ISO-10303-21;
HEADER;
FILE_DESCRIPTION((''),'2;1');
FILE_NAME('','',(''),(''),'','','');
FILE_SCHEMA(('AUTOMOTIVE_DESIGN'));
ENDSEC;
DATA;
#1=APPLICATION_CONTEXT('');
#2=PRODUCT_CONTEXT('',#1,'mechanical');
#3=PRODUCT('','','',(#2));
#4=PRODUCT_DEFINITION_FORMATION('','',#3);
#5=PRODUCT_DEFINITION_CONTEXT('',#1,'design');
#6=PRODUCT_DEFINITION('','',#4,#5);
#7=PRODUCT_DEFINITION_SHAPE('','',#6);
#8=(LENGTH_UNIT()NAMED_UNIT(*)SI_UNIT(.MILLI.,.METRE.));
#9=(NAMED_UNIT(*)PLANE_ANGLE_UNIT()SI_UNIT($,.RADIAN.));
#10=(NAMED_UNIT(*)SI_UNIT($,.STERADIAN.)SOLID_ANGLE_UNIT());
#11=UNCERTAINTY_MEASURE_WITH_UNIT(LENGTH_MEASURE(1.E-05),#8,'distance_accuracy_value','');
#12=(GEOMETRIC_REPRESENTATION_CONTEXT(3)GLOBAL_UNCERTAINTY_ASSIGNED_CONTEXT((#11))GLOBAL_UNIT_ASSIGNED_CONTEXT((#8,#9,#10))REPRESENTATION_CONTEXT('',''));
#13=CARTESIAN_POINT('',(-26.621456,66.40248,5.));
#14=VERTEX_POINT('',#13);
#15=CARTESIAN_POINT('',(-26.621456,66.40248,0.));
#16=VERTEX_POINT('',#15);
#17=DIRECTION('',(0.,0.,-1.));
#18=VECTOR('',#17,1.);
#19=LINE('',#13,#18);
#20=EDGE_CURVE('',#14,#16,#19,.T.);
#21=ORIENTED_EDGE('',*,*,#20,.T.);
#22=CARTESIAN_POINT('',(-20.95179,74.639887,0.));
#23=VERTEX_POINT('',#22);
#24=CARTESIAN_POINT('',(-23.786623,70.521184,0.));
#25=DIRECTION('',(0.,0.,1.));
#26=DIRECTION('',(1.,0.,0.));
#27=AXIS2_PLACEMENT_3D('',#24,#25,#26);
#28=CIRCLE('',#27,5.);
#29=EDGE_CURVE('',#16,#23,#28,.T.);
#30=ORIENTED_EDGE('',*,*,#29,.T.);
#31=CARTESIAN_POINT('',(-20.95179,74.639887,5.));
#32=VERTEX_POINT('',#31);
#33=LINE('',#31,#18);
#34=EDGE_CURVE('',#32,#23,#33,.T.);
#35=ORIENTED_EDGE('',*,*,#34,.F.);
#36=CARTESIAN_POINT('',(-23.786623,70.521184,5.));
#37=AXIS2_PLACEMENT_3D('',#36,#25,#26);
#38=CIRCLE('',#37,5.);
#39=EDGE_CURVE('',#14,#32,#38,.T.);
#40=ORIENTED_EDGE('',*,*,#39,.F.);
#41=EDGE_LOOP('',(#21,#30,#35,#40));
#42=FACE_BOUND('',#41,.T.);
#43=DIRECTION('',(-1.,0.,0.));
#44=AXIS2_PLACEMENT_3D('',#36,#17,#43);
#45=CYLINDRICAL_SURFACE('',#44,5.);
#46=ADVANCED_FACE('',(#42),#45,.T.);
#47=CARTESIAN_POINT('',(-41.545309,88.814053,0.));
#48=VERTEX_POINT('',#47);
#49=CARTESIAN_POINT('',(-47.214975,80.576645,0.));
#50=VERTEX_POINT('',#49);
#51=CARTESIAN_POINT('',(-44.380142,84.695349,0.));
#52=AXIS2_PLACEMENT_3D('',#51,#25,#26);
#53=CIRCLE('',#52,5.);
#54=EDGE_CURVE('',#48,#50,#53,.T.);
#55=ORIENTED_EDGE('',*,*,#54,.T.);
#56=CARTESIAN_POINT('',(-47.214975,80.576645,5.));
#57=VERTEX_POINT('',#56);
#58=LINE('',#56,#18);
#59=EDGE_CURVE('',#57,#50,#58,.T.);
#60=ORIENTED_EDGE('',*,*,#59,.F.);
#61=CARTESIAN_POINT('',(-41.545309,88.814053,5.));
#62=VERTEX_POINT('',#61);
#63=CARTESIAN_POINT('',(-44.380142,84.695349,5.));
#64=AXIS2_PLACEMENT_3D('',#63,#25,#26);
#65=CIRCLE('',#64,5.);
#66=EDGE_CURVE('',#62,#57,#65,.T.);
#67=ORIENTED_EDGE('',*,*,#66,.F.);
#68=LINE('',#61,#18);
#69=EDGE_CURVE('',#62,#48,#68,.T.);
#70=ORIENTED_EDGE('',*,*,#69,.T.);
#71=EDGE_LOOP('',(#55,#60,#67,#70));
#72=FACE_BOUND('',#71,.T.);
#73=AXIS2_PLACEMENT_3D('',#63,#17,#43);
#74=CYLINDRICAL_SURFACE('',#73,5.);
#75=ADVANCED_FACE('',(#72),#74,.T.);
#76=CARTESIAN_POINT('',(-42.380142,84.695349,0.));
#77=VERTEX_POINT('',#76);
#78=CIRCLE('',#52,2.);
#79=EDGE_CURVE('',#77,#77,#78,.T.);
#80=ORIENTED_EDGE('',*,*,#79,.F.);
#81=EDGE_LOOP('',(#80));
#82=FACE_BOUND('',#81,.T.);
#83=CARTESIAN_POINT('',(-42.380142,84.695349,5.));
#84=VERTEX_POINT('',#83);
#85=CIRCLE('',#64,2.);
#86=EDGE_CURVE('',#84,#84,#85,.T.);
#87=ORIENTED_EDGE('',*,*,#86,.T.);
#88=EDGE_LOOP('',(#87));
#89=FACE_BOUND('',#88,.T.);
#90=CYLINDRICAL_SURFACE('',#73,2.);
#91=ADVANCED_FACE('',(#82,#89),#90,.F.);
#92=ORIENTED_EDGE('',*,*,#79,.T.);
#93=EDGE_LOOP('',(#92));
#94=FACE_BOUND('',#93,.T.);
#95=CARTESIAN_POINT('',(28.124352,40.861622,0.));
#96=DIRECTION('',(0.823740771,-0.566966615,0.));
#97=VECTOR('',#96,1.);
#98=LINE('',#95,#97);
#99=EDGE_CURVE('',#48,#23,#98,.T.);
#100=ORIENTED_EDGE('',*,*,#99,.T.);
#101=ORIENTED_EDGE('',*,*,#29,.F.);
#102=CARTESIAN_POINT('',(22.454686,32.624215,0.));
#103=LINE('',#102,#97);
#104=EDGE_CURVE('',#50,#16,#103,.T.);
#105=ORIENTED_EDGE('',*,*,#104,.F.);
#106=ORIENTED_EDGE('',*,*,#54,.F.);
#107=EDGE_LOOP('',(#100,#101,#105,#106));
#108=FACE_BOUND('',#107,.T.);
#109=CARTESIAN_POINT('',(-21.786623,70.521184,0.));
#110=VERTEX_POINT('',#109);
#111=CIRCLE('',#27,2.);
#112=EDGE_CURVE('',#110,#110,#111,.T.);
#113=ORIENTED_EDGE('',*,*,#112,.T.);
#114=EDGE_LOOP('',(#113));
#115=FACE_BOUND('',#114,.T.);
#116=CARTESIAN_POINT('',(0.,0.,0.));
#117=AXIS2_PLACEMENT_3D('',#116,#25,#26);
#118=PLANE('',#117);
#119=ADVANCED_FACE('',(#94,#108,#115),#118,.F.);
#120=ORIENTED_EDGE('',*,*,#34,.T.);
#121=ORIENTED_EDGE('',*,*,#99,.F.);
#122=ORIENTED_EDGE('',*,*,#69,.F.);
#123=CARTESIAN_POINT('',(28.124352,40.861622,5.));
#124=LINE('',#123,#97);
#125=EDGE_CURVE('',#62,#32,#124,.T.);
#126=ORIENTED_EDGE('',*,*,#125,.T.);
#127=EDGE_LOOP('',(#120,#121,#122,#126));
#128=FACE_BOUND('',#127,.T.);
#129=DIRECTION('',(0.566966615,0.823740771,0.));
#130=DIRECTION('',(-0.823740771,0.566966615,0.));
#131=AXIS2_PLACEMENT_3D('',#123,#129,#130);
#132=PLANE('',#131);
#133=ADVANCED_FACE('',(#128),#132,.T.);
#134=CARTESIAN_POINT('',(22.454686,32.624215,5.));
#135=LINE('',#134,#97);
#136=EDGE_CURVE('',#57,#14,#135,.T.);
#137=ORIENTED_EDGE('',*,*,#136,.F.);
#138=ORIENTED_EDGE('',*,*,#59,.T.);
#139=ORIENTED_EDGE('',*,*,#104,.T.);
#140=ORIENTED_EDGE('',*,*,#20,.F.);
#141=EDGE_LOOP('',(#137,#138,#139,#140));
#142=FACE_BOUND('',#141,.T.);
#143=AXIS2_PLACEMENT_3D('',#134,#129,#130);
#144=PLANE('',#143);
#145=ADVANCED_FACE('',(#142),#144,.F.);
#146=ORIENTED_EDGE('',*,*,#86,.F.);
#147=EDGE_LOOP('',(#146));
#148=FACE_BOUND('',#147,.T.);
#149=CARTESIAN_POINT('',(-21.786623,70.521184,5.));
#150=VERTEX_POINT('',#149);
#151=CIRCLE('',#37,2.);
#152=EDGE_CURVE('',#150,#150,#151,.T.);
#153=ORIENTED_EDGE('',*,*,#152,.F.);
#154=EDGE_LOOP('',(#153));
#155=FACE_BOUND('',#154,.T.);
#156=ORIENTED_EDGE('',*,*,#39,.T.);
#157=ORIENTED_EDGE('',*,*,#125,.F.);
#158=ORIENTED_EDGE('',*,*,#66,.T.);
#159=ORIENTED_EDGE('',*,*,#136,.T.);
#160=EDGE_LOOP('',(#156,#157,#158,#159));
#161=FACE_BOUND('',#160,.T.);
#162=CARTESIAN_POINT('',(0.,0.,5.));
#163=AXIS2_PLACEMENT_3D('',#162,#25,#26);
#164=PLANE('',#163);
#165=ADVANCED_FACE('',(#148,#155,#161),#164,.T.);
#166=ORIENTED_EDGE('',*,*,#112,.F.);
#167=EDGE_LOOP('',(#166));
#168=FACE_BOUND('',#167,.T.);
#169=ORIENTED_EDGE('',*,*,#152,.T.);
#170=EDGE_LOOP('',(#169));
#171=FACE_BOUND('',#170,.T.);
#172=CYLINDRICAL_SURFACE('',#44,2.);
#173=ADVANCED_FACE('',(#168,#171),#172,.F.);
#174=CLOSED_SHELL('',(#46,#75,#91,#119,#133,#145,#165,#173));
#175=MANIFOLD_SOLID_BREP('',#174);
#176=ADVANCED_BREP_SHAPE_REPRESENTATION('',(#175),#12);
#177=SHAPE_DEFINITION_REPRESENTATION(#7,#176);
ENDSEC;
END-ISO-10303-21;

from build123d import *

# Parameters (mm, degrees)
SKETCH1_R           = 2
BOSS_EXTRUDE1_DEPTH = 5


with BuildPart() as part:
    # Sketch1 → Boss-Extrude1 (new body)
    with BuildSketch(Plane(origin=(0, 0, 0), x_dir=(0.999757303, -0.022030336, 0), z_dir=(0, 0, 1))):
        with BuildLine():
            Line((-43.491829272, 87.877240738), (-22.59104637, 74.16019754))
            ThreePointArc((-22.59104637, 74.16019754), (-21.15429843, 67.23663232), (-28.077863649, 65.799884379))
            Line((-28.077863649, 65.799884379), (-48.978646551, 79.516927577))
            ThreePointArc((-48.978646551, 79.516927577), (-50.415394492, 86.440492797), (-43.491829272, 87.877240738))
        make_face()
        with Locations((-25.33445501, 69.980040959)):
            Circle(SKETCH1_R, mode=Mode.SUBTRACT)
        with Locations((-46.235237911, 83.697084158)):
            Circle(SKETCH1_R, mode=Mode.SUBTRACT)
    extrude(amount=BOSS_EXTRUDE1_DEPTH)


solid = part.part
